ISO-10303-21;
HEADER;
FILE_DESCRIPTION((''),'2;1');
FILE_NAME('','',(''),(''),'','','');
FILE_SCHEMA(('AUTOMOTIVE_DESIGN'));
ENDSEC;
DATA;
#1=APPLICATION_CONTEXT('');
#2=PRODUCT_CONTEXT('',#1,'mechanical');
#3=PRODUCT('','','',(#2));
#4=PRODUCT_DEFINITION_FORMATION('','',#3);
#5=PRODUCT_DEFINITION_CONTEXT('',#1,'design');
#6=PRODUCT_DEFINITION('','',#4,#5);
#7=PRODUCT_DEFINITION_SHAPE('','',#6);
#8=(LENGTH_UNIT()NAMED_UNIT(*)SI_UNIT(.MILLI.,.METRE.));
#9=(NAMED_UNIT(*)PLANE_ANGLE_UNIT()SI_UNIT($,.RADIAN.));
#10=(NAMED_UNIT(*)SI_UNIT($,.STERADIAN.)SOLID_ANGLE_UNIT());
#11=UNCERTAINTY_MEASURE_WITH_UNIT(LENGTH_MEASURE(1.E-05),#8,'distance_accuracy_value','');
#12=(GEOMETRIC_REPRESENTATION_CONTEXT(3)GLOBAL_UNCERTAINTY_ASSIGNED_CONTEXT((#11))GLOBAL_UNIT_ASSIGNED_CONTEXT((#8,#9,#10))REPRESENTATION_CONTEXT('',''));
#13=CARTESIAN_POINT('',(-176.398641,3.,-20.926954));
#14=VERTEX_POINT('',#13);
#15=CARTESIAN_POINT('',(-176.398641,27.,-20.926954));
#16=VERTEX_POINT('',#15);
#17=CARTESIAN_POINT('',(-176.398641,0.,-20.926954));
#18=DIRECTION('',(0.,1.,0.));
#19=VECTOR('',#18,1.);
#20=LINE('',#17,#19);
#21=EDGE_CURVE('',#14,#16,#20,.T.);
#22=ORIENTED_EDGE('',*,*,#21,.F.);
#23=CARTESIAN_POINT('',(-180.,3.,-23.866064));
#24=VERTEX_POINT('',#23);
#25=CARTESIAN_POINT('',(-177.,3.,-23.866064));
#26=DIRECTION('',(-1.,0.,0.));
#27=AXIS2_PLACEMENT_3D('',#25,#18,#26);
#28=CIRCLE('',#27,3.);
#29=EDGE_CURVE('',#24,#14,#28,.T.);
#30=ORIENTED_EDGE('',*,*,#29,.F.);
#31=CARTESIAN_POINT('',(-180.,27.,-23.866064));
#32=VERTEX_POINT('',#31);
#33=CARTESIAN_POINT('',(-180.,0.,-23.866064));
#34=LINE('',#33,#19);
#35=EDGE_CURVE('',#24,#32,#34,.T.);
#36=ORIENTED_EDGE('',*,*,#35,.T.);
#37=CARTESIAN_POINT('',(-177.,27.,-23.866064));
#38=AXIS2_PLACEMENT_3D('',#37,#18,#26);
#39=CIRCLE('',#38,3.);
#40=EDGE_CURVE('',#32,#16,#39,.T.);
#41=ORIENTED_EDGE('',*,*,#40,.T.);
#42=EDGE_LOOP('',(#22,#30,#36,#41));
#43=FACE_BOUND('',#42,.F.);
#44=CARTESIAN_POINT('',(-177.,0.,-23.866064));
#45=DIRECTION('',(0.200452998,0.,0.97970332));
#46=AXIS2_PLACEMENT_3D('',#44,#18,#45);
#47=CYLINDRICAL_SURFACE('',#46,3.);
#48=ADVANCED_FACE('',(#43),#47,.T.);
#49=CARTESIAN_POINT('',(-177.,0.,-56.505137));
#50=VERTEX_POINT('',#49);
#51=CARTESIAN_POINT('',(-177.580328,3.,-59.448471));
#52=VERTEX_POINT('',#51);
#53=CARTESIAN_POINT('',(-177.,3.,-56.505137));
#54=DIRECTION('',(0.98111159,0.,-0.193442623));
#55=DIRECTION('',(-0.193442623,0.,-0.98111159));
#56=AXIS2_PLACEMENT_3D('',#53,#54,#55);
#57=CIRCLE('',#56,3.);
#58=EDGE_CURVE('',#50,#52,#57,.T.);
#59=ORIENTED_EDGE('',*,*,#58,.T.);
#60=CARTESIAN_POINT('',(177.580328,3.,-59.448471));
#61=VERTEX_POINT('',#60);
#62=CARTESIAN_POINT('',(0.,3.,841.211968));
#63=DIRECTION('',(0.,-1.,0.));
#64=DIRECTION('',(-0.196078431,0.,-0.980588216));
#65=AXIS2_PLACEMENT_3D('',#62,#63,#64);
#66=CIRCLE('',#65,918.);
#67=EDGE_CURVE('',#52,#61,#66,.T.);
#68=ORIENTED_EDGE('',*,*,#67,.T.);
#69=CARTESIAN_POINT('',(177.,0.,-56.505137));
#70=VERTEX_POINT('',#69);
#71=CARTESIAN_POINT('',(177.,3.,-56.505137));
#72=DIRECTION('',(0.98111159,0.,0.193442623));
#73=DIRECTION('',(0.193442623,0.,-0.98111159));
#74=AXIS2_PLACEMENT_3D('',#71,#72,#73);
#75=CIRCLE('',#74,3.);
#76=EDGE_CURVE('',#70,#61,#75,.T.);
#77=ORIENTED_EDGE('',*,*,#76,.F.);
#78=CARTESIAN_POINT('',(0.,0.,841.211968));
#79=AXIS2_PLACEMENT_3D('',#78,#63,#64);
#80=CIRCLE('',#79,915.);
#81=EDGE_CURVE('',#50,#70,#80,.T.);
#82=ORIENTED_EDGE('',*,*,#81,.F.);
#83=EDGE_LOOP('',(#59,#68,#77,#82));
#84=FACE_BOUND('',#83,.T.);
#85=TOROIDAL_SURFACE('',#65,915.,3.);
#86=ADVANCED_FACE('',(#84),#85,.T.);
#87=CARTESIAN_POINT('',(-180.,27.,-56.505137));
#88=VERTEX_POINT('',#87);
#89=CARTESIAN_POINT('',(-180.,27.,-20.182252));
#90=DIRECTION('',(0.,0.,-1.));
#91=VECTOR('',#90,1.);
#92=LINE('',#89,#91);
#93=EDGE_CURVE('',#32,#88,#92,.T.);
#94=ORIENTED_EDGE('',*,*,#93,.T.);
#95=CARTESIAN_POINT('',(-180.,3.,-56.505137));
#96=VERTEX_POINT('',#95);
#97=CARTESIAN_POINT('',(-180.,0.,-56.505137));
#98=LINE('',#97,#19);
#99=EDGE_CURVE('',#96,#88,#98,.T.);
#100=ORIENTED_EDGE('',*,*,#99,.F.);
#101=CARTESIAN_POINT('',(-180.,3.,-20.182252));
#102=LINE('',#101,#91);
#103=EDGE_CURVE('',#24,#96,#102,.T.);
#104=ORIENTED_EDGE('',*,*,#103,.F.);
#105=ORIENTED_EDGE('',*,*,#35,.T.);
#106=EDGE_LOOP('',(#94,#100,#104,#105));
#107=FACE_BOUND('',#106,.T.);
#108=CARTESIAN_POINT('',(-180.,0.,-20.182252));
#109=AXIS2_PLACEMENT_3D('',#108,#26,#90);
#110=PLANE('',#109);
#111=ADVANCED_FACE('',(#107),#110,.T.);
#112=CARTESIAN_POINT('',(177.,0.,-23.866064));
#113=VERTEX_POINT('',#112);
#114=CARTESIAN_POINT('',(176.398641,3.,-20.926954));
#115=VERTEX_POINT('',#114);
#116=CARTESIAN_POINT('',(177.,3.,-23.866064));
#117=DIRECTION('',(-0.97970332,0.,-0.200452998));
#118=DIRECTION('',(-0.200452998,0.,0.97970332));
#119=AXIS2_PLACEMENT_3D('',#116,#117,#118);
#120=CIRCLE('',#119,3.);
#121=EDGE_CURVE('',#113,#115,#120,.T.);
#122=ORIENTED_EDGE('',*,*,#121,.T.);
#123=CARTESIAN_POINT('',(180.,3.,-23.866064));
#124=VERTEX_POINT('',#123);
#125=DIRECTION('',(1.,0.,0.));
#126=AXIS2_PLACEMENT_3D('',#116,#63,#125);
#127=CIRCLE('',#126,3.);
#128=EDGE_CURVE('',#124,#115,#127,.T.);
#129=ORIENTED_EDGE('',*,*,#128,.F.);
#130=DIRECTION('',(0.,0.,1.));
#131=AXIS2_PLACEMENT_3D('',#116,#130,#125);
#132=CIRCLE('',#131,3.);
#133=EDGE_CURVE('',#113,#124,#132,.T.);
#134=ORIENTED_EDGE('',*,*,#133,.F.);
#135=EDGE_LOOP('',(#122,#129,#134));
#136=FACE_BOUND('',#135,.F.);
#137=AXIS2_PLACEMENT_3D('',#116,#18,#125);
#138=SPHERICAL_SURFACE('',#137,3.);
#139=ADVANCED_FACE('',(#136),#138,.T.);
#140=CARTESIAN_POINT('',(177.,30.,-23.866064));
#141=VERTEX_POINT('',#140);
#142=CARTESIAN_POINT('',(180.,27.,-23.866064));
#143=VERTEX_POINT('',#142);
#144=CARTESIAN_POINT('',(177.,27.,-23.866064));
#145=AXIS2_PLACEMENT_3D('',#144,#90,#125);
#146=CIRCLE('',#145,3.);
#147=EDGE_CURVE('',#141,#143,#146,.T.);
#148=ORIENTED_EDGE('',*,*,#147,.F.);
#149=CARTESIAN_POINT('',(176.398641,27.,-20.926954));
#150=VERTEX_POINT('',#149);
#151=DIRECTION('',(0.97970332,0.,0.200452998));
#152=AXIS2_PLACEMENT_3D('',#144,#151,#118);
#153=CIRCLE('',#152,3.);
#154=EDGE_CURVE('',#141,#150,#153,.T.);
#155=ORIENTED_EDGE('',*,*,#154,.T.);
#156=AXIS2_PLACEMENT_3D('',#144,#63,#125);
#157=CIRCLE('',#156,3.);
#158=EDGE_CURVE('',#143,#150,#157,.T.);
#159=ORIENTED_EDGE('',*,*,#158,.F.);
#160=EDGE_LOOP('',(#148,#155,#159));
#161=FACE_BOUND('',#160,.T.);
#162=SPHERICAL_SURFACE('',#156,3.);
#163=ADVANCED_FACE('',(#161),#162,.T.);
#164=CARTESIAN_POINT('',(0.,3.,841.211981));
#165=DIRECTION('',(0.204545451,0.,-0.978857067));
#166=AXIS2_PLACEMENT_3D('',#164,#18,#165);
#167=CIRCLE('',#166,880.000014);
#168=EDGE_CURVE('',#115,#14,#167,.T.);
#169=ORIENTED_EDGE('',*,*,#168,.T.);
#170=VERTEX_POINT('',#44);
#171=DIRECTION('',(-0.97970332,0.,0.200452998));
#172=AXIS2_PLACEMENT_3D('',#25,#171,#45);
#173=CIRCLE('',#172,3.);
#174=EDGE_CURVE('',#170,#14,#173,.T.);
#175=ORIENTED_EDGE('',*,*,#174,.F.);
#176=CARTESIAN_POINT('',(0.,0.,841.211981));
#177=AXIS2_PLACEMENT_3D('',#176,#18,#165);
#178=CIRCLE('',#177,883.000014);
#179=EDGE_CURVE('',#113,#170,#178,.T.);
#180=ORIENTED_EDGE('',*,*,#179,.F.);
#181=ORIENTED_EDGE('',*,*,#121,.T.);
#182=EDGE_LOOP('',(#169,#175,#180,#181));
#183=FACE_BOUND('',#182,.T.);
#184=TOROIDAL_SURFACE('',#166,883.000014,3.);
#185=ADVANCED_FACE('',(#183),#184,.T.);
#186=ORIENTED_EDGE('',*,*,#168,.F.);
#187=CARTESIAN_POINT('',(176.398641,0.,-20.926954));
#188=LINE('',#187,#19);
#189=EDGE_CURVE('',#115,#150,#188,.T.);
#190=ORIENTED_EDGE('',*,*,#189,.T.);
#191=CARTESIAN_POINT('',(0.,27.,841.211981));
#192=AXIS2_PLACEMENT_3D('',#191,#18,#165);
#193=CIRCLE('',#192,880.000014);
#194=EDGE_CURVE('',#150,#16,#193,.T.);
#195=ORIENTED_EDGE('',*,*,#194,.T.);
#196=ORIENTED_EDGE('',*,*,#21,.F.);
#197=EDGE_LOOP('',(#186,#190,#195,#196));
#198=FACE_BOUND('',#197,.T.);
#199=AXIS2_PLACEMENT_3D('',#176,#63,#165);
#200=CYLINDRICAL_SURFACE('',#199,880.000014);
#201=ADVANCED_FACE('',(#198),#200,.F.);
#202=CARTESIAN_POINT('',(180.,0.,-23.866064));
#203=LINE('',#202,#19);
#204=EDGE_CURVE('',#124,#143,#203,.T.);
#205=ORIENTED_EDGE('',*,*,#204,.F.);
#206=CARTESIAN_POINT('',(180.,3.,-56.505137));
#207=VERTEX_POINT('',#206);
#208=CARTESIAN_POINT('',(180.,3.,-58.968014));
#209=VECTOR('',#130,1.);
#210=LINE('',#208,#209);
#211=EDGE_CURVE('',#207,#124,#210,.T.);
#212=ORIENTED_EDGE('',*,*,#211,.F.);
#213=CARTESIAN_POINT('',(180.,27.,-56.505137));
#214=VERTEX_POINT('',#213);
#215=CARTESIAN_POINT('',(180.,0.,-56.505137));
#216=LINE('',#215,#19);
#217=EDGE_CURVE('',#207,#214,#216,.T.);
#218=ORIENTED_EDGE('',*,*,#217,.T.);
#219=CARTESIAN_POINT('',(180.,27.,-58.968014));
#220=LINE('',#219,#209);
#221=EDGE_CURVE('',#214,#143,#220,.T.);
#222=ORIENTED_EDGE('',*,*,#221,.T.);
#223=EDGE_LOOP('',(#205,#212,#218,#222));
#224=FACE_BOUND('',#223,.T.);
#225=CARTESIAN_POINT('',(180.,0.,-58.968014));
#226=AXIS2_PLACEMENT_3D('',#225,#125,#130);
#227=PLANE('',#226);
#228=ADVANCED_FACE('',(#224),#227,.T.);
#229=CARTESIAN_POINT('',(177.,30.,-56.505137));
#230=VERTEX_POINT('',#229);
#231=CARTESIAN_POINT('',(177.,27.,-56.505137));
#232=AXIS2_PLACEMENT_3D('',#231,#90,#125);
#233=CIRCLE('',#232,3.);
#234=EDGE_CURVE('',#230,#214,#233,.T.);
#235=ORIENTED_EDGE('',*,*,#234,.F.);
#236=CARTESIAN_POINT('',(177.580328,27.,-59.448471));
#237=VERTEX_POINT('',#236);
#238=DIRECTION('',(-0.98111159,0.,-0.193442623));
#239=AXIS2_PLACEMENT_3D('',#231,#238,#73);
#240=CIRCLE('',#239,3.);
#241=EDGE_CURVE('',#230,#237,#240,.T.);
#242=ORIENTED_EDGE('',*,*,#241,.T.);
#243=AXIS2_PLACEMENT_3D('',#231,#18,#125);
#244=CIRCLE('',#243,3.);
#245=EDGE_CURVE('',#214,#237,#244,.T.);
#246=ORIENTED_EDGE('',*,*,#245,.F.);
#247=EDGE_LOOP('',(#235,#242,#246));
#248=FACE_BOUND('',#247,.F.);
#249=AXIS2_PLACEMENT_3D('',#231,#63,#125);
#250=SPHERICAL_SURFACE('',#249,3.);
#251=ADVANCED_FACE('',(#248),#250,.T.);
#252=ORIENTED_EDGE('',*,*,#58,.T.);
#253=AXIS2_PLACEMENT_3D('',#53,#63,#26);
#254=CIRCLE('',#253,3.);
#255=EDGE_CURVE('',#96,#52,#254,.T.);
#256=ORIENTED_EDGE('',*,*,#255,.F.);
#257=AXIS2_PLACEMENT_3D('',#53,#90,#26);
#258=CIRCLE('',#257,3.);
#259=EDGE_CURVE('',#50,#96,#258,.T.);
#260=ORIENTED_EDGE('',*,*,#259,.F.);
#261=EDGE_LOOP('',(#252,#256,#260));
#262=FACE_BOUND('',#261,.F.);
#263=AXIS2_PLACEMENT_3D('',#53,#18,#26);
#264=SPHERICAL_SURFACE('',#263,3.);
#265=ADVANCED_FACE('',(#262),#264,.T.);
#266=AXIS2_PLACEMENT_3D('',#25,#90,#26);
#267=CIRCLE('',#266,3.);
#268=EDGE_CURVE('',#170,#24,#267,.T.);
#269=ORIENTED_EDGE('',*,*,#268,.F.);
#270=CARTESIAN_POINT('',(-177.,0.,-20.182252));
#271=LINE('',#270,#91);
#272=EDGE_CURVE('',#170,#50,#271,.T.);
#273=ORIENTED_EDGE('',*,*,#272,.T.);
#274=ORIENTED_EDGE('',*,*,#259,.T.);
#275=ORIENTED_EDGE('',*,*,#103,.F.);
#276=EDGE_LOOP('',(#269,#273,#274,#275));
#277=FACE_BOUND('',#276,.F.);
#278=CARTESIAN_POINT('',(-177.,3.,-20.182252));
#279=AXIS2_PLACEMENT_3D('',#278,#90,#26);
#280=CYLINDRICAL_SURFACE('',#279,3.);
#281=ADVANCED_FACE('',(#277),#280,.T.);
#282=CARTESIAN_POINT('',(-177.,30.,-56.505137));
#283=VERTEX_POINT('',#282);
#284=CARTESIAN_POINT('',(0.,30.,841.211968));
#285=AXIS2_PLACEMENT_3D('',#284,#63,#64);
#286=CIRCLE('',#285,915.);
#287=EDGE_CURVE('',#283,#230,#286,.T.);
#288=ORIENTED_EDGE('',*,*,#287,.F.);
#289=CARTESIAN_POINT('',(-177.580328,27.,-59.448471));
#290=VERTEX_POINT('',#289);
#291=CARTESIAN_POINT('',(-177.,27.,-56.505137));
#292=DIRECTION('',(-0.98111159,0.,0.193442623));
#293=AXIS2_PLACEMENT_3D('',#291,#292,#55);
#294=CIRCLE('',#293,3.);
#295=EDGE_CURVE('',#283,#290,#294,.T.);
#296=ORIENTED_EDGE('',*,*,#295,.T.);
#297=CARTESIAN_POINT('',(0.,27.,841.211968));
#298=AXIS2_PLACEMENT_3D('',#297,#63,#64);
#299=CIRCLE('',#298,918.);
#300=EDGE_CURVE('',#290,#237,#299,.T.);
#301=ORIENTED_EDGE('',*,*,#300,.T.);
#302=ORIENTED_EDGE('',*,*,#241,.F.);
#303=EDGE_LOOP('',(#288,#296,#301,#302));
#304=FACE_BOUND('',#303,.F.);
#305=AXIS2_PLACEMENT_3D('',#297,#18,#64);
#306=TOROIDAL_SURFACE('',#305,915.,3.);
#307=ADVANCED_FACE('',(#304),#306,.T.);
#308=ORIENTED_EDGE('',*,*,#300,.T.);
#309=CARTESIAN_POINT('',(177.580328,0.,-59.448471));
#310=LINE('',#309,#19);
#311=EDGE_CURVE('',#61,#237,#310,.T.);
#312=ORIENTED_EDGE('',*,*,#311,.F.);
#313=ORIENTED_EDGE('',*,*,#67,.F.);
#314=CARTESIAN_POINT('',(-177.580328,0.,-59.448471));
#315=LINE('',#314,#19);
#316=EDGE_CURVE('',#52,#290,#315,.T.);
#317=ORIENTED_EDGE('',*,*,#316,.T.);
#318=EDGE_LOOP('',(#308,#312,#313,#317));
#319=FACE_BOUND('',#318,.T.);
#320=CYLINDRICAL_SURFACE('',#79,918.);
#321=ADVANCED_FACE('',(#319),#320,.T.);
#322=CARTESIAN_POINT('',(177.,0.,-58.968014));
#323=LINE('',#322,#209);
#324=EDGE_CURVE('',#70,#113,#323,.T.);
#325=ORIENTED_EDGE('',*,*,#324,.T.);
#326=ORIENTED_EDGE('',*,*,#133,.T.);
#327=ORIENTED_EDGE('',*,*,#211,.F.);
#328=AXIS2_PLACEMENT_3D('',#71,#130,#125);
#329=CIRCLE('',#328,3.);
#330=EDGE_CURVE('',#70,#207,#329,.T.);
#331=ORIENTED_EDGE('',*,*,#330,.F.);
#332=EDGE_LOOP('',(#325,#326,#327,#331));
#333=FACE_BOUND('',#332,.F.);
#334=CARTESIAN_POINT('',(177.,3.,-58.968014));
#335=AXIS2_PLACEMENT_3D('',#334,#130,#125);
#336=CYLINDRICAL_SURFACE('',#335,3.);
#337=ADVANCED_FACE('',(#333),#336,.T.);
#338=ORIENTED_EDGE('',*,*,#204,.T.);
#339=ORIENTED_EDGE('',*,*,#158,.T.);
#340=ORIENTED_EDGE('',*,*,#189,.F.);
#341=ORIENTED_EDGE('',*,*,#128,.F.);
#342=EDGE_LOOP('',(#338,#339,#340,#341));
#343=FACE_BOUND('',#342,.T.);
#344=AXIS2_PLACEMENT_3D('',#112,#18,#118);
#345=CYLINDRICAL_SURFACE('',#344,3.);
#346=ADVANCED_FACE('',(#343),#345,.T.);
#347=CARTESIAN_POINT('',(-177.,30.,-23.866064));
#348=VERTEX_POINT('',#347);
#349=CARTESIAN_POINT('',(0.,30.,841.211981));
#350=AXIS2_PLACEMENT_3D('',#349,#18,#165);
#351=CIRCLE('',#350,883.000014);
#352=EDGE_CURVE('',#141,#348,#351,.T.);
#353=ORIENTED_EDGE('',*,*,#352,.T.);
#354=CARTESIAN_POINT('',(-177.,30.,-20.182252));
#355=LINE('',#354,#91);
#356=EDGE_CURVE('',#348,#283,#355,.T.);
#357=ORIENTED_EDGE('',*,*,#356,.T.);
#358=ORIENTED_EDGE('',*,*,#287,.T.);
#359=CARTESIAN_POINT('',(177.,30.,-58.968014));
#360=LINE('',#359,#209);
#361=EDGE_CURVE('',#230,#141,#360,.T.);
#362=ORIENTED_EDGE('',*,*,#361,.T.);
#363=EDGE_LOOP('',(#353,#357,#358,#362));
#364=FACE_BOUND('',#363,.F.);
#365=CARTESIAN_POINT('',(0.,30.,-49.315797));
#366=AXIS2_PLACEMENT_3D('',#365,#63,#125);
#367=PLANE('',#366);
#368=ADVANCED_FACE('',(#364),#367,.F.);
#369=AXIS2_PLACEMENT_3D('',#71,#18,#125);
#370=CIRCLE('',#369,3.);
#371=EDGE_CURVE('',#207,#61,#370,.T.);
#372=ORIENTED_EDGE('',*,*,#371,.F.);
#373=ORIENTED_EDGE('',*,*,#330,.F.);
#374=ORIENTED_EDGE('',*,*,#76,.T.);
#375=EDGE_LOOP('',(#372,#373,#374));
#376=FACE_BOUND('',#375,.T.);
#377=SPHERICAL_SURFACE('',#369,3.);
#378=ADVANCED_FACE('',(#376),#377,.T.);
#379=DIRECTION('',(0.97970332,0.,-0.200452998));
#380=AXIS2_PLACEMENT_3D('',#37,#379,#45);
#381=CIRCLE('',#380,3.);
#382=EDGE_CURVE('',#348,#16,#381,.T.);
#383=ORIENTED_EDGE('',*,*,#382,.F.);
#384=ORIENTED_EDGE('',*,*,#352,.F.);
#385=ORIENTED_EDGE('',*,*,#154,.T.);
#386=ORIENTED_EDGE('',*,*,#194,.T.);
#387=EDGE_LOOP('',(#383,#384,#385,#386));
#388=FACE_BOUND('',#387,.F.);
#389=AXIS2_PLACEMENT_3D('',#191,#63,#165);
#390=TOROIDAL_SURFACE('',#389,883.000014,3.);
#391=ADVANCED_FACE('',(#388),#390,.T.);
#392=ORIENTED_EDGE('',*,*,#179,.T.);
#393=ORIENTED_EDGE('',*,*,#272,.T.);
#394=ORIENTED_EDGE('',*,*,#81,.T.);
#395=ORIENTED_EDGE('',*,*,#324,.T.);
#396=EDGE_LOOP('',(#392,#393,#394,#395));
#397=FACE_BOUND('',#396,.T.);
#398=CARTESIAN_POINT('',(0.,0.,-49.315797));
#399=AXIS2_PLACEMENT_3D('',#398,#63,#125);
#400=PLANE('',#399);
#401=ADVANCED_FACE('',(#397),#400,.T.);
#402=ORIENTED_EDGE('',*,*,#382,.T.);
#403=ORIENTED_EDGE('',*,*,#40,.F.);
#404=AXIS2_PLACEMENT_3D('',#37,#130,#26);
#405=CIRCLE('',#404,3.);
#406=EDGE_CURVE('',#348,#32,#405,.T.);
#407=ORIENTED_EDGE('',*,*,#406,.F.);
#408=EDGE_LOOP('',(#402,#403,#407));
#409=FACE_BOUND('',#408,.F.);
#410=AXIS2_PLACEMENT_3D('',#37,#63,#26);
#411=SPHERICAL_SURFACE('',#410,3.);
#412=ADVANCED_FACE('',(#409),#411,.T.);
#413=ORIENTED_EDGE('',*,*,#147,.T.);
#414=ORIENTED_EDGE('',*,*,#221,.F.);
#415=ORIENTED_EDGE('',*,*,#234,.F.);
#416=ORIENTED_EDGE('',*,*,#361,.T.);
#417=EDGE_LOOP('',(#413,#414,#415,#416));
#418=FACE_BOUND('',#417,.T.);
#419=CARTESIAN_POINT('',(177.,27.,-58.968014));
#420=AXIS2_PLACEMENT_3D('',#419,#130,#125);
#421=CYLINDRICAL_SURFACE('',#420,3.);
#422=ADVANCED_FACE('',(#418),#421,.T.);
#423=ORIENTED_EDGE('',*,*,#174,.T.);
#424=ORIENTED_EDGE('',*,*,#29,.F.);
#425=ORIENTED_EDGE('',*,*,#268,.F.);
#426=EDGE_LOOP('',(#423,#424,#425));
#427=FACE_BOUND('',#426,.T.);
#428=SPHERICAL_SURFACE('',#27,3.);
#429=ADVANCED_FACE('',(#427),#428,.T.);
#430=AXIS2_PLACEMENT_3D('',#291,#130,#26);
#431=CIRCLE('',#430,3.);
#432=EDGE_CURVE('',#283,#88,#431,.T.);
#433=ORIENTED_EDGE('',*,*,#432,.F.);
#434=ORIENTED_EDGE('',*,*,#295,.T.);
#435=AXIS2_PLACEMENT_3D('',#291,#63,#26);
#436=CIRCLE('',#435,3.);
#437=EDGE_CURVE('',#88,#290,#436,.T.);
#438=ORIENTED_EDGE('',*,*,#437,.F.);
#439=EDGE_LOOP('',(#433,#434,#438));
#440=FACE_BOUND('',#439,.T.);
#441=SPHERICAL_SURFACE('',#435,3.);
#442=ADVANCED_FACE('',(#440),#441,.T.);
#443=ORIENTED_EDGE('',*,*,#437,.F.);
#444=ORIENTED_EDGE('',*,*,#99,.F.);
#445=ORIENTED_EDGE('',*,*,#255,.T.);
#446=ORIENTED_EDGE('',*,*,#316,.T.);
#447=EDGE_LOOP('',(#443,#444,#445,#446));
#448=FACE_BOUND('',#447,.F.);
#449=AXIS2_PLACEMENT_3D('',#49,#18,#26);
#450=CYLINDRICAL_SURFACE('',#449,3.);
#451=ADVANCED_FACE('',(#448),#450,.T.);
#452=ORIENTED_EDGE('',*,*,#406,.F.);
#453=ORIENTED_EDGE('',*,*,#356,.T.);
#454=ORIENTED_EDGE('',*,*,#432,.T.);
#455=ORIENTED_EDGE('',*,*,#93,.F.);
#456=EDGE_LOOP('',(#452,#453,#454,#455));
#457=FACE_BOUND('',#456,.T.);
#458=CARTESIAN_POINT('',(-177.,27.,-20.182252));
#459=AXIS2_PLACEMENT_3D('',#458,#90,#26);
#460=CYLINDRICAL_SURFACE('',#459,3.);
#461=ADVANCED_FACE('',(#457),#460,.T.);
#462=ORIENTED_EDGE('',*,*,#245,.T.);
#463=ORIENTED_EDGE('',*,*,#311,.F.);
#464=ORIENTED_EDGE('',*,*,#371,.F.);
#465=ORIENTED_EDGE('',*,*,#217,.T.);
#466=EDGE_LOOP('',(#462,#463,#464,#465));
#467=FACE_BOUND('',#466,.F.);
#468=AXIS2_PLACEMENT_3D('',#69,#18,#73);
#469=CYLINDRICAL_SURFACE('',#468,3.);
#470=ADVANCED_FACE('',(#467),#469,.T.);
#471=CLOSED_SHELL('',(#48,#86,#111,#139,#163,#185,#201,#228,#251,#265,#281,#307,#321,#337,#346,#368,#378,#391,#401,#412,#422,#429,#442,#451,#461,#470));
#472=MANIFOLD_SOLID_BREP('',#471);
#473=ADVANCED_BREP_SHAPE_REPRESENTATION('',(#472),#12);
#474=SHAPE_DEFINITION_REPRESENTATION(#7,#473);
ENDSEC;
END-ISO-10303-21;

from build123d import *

# Parameters (mm, degrees)
F1_DEPTH = 30
F2_R     = 3


with BuildPart() as f1:
    # F0 (on Front) → F1 (new body)
    with BuildSketch(Plane.XZ):
        with BuildLine():
            ThreePointArc((180, -20.182252), (0, -38.788033), (-180, -20.182252))
            Line((-180, -20.182252), (-180, -58.968014))
            ThreePointArc((-180, -58.968014), (0, -76.788032), (180, -58.968014))
            Line((180, -58.968014), (180, -20.182252))
        make_face()
    extrude(amount=-F1_DEPTH)

    # F2
    f2_edges = [f1.edges().sort_by_distance(p)[0] for p in [
        (-180, 15, -20.182252),
        (-180, 15, -58.968014),
        (-180, 0, -39.575133),
        (-180, 30, -39.575133),
        (180, 15, -58.968014),
        (180, 15, -20.182252),
        (180, 0, -39.575133),
        (180, 30, -39.575133),
        (0, 0, -38.788033),
        (0, 30, -38.788033),
        (0, 0, -76.788032),
        (0, 30, -76.788032),
    ]]
    fillet(f2_edges, radius=F2_R)


solid = f1.part
